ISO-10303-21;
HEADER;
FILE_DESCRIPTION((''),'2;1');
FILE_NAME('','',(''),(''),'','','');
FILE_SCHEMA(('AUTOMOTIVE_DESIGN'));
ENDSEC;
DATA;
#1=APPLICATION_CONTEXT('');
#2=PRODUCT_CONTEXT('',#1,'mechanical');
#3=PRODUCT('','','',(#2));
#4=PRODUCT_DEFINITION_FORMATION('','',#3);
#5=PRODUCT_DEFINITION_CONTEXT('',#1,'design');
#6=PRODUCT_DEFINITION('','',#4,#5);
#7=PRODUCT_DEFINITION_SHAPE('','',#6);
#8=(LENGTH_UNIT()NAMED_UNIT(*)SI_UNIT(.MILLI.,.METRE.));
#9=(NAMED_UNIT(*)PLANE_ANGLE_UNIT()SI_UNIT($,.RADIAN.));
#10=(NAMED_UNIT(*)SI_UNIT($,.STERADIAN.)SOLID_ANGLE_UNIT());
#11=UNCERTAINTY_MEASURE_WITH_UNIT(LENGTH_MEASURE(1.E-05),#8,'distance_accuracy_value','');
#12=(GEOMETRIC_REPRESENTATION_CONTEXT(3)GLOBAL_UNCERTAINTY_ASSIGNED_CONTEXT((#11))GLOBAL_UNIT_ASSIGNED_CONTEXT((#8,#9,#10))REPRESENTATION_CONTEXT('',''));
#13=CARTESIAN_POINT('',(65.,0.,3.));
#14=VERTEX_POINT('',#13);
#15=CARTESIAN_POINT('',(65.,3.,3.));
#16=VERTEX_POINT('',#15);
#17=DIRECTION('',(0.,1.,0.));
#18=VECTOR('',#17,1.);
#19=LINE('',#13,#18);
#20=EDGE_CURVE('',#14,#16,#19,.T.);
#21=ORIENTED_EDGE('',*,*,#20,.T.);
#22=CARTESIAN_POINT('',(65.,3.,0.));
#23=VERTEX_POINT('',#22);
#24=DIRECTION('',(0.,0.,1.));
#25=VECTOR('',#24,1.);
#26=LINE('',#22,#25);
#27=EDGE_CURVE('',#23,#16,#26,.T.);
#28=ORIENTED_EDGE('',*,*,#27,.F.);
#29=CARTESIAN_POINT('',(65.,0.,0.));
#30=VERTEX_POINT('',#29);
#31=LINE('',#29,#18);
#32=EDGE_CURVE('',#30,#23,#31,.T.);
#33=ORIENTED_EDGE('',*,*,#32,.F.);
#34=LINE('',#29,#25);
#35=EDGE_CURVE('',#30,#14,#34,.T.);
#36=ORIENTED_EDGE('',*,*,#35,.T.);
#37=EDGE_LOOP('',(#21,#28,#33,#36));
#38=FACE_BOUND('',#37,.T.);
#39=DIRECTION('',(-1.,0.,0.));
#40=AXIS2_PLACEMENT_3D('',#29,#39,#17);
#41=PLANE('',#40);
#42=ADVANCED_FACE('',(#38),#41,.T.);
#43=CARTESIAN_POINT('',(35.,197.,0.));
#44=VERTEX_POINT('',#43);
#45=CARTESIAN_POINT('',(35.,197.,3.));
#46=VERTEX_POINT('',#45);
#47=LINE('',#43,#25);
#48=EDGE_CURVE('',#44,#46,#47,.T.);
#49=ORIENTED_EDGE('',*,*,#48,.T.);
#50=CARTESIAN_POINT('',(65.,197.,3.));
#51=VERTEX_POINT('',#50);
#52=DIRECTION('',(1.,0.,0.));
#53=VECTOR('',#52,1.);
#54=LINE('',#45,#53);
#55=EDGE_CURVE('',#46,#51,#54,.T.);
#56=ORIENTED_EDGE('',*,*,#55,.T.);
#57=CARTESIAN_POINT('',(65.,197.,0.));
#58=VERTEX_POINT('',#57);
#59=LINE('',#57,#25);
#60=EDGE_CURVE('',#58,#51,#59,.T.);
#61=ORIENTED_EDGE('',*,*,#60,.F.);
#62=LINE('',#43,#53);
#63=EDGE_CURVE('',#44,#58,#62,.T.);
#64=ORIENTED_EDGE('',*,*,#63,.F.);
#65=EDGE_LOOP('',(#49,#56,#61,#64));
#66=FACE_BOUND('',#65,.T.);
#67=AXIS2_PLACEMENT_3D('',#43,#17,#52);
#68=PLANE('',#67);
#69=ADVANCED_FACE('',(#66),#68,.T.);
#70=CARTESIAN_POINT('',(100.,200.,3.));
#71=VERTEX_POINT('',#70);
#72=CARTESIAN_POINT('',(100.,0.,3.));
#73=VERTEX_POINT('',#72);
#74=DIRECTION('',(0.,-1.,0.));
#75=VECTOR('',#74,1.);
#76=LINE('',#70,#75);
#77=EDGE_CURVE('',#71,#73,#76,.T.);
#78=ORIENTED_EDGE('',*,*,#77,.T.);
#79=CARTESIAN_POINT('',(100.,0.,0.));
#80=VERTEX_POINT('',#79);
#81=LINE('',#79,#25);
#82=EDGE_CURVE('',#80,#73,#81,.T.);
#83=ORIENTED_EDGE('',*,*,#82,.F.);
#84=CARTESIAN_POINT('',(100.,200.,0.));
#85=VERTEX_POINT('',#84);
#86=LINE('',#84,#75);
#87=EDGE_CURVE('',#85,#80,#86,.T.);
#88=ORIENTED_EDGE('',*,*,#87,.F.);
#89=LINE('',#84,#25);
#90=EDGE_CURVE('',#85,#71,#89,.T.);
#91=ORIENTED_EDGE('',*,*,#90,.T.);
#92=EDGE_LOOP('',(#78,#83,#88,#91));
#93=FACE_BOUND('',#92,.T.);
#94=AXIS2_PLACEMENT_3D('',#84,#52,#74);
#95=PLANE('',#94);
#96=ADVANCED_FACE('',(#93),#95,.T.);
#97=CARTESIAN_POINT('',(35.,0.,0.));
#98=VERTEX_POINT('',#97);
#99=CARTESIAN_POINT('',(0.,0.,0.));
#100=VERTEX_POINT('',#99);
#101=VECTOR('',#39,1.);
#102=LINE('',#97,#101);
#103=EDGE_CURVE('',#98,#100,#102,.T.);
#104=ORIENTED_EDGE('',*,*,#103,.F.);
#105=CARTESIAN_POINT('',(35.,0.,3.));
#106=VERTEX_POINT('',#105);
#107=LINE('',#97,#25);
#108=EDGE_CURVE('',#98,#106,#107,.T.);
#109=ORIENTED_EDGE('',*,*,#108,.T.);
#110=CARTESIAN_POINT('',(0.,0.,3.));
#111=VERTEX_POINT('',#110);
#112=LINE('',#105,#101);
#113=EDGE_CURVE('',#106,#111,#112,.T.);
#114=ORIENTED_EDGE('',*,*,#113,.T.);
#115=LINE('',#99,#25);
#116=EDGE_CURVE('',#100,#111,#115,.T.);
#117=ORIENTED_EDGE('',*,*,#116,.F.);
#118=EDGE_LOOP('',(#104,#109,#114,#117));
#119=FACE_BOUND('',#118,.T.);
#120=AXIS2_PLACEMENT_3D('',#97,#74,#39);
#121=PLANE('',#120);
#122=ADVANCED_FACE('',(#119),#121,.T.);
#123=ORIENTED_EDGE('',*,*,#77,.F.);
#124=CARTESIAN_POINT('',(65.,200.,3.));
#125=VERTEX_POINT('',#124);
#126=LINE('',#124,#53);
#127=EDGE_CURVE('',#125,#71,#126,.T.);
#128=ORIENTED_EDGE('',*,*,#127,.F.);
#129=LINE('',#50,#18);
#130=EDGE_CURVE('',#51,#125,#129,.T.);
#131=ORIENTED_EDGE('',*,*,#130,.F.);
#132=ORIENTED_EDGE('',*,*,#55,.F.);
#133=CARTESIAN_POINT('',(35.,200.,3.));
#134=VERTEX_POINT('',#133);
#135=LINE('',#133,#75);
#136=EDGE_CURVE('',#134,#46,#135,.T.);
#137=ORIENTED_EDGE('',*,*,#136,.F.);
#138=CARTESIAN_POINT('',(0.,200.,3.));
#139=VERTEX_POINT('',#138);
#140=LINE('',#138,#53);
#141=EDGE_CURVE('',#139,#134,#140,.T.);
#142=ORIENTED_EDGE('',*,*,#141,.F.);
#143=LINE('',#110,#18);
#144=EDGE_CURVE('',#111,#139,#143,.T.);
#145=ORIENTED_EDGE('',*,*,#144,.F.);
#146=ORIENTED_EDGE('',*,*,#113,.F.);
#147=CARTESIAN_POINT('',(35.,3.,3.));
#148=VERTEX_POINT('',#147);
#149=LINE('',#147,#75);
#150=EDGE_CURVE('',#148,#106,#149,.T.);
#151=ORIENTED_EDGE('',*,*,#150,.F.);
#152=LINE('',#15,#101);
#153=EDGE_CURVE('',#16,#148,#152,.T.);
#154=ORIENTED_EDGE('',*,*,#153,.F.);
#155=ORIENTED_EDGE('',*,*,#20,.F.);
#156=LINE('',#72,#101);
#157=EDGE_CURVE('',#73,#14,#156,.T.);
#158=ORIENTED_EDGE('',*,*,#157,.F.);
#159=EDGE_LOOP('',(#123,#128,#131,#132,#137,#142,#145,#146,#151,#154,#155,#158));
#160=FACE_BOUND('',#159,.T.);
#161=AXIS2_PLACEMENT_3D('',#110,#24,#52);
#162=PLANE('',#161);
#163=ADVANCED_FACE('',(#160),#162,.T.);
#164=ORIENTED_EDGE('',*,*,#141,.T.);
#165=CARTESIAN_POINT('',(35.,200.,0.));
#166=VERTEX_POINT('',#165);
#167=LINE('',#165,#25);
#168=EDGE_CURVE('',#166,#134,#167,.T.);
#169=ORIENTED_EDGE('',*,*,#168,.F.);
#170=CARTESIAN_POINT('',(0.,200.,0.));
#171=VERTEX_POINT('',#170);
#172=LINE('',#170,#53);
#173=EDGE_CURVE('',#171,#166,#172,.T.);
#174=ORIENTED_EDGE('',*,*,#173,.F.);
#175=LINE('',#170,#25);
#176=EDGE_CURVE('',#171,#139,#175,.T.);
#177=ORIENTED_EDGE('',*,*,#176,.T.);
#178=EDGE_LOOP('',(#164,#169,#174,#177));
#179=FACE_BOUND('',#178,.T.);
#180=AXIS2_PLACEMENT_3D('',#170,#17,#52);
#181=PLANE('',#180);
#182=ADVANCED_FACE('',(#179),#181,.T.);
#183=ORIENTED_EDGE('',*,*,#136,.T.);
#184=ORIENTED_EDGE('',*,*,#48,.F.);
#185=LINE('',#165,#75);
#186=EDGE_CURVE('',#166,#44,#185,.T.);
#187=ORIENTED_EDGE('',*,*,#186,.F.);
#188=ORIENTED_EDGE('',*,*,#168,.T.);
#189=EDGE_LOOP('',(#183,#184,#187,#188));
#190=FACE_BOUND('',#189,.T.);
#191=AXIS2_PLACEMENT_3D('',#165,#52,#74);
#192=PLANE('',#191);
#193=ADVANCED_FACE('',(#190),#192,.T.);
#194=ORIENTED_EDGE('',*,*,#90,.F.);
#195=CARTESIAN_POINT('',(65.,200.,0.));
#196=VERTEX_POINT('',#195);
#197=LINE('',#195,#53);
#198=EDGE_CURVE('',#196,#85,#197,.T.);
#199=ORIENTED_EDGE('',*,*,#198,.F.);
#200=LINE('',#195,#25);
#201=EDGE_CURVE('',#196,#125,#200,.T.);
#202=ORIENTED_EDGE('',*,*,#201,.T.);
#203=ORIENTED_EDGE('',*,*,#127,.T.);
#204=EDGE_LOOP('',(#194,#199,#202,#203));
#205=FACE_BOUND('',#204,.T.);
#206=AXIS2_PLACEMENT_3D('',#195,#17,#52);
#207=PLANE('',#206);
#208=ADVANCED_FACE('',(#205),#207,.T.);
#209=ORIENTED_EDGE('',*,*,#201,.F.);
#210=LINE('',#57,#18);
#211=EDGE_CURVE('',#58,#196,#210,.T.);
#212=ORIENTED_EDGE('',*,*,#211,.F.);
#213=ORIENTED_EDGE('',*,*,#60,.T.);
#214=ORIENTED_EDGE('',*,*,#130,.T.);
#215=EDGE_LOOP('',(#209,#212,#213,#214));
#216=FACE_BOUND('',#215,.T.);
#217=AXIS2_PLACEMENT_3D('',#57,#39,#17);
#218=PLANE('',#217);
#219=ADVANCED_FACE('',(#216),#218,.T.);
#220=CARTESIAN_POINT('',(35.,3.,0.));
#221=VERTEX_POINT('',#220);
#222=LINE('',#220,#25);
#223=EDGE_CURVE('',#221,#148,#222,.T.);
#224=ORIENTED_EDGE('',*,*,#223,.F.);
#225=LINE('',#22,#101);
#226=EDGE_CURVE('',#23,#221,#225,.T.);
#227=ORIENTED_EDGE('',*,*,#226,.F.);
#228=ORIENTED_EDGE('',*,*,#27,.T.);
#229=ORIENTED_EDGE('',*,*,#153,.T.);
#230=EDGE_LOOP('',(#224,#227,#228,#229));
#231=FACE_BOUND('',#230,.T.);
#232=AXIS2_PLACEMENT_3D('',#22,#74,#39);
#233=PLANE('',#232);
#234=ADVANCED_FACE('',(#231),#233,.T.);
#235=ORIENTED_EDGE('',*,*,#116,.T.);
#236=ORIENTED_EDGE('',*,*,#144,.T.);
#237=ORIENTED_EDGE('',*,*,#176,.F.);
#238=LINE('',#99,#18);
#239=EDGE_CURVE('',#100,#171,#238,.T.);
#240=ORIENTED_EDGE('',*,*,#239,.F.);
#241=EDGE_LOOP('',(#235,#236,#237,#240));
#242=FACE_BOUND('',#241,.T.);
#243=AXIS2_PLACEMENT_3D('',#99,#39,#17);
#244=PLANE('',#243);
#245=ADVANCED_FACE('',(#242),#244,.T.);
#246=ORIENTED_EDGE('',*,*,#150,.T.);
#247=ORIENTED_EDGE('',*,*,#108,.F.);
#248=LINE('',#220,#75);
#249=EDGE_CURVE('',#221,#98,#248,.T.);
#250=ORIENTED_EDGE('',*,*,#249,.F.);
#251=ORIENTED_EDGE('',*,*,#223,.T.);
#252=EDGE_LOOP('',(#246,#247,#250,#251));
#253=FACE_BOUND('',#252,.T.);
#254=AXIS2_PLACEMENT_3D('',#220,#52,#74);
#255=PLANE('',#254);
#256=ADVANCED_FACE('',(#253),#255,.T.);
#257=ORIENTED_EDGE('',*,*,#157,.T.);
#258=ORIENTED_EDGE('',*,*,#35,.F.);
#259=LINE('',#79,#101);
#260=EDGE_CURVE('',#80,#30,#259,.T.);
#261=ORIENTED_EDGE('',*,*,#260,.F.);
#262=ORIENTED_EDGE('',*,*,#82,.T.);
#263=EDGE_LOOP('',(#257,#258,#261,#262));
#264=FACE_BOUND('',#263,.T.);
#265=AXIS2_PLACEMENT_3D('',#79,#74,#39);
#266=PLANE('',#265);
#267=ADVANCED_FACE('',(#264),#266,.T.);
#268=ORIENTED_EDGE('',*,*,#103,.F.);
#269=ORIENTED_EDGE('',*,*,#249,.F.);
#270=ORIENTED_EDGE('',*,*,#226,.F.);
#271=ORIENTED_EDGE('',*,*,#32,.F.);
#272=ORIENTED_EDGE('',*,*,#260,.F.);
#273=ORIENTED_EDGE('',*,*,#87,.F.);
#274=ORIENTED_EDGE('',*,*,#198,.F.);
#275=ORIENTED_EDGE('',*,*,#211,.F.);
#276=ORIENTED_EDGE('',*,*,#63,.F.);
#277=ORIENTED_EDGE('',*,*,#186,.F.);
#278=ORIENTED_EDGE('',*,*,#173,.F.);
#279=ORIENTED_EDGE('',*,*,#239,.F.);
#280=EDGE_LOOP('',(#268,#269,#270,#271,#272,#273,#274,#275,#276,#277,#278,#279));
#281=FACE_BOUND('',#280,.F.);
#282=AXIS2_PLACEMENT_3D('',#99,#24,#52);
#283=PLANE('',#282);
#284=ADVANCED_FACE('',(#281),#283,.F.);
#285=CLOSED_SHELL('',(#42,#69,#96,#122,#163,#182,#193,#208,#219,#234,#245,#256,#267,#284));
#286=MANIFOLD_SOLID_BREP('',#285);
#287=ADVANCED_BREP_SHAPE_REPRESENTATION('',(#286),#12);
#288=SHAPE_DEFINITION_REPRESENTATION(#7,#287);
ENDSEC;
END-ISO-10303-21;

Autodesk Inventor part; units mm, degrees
ref_plane "YZ Plane" through (0, 0, 0) normal (1, 0, 0) x (0, 1, 0)
ref_plane "XZ Plane" through (0, 0, 0) normal (0, 1, 0) x (-1, 0, 0)
ref_plane "XY Plane" through (0, 0, 0) normal (0, 0, 1) x (1, 0, 0)
sketch "Sketch1" plane through (0, 0, 0) normal (0, 0, 1) x (1, 0, 0)
  line L0 (0, 0) -> (0, 200)
  line L1 (0, 200) -> (35, 200)
  line L2 (35, 200) -> (35, 197)
  line L3 (35, 197) -> (65, 197)
  line L4 (65, 197) -> (65, 200)
  line L5 (65, 200) -> (100, 200)
  line L6 (100, 200) -> (100, 0)
  line L7 (100, 0) -> (65, 0)
  line L8 (65, 0) -> (65, 3)
  line L9 (65, 3) -> (35, 3)
  line L10 (35, 3) -> (35, 0)
  line L11 (35, 0) -> (0, 0)
  dimension "d27" = 3
  dimension "d28" = 30
  dimension "d41" = 100
  dimension "d42" = 35
  dimension "d43" = 3
  dimension "d45" = 200
extrude "Extrusion1" add sketch "Sketch1" along normal blind 3
